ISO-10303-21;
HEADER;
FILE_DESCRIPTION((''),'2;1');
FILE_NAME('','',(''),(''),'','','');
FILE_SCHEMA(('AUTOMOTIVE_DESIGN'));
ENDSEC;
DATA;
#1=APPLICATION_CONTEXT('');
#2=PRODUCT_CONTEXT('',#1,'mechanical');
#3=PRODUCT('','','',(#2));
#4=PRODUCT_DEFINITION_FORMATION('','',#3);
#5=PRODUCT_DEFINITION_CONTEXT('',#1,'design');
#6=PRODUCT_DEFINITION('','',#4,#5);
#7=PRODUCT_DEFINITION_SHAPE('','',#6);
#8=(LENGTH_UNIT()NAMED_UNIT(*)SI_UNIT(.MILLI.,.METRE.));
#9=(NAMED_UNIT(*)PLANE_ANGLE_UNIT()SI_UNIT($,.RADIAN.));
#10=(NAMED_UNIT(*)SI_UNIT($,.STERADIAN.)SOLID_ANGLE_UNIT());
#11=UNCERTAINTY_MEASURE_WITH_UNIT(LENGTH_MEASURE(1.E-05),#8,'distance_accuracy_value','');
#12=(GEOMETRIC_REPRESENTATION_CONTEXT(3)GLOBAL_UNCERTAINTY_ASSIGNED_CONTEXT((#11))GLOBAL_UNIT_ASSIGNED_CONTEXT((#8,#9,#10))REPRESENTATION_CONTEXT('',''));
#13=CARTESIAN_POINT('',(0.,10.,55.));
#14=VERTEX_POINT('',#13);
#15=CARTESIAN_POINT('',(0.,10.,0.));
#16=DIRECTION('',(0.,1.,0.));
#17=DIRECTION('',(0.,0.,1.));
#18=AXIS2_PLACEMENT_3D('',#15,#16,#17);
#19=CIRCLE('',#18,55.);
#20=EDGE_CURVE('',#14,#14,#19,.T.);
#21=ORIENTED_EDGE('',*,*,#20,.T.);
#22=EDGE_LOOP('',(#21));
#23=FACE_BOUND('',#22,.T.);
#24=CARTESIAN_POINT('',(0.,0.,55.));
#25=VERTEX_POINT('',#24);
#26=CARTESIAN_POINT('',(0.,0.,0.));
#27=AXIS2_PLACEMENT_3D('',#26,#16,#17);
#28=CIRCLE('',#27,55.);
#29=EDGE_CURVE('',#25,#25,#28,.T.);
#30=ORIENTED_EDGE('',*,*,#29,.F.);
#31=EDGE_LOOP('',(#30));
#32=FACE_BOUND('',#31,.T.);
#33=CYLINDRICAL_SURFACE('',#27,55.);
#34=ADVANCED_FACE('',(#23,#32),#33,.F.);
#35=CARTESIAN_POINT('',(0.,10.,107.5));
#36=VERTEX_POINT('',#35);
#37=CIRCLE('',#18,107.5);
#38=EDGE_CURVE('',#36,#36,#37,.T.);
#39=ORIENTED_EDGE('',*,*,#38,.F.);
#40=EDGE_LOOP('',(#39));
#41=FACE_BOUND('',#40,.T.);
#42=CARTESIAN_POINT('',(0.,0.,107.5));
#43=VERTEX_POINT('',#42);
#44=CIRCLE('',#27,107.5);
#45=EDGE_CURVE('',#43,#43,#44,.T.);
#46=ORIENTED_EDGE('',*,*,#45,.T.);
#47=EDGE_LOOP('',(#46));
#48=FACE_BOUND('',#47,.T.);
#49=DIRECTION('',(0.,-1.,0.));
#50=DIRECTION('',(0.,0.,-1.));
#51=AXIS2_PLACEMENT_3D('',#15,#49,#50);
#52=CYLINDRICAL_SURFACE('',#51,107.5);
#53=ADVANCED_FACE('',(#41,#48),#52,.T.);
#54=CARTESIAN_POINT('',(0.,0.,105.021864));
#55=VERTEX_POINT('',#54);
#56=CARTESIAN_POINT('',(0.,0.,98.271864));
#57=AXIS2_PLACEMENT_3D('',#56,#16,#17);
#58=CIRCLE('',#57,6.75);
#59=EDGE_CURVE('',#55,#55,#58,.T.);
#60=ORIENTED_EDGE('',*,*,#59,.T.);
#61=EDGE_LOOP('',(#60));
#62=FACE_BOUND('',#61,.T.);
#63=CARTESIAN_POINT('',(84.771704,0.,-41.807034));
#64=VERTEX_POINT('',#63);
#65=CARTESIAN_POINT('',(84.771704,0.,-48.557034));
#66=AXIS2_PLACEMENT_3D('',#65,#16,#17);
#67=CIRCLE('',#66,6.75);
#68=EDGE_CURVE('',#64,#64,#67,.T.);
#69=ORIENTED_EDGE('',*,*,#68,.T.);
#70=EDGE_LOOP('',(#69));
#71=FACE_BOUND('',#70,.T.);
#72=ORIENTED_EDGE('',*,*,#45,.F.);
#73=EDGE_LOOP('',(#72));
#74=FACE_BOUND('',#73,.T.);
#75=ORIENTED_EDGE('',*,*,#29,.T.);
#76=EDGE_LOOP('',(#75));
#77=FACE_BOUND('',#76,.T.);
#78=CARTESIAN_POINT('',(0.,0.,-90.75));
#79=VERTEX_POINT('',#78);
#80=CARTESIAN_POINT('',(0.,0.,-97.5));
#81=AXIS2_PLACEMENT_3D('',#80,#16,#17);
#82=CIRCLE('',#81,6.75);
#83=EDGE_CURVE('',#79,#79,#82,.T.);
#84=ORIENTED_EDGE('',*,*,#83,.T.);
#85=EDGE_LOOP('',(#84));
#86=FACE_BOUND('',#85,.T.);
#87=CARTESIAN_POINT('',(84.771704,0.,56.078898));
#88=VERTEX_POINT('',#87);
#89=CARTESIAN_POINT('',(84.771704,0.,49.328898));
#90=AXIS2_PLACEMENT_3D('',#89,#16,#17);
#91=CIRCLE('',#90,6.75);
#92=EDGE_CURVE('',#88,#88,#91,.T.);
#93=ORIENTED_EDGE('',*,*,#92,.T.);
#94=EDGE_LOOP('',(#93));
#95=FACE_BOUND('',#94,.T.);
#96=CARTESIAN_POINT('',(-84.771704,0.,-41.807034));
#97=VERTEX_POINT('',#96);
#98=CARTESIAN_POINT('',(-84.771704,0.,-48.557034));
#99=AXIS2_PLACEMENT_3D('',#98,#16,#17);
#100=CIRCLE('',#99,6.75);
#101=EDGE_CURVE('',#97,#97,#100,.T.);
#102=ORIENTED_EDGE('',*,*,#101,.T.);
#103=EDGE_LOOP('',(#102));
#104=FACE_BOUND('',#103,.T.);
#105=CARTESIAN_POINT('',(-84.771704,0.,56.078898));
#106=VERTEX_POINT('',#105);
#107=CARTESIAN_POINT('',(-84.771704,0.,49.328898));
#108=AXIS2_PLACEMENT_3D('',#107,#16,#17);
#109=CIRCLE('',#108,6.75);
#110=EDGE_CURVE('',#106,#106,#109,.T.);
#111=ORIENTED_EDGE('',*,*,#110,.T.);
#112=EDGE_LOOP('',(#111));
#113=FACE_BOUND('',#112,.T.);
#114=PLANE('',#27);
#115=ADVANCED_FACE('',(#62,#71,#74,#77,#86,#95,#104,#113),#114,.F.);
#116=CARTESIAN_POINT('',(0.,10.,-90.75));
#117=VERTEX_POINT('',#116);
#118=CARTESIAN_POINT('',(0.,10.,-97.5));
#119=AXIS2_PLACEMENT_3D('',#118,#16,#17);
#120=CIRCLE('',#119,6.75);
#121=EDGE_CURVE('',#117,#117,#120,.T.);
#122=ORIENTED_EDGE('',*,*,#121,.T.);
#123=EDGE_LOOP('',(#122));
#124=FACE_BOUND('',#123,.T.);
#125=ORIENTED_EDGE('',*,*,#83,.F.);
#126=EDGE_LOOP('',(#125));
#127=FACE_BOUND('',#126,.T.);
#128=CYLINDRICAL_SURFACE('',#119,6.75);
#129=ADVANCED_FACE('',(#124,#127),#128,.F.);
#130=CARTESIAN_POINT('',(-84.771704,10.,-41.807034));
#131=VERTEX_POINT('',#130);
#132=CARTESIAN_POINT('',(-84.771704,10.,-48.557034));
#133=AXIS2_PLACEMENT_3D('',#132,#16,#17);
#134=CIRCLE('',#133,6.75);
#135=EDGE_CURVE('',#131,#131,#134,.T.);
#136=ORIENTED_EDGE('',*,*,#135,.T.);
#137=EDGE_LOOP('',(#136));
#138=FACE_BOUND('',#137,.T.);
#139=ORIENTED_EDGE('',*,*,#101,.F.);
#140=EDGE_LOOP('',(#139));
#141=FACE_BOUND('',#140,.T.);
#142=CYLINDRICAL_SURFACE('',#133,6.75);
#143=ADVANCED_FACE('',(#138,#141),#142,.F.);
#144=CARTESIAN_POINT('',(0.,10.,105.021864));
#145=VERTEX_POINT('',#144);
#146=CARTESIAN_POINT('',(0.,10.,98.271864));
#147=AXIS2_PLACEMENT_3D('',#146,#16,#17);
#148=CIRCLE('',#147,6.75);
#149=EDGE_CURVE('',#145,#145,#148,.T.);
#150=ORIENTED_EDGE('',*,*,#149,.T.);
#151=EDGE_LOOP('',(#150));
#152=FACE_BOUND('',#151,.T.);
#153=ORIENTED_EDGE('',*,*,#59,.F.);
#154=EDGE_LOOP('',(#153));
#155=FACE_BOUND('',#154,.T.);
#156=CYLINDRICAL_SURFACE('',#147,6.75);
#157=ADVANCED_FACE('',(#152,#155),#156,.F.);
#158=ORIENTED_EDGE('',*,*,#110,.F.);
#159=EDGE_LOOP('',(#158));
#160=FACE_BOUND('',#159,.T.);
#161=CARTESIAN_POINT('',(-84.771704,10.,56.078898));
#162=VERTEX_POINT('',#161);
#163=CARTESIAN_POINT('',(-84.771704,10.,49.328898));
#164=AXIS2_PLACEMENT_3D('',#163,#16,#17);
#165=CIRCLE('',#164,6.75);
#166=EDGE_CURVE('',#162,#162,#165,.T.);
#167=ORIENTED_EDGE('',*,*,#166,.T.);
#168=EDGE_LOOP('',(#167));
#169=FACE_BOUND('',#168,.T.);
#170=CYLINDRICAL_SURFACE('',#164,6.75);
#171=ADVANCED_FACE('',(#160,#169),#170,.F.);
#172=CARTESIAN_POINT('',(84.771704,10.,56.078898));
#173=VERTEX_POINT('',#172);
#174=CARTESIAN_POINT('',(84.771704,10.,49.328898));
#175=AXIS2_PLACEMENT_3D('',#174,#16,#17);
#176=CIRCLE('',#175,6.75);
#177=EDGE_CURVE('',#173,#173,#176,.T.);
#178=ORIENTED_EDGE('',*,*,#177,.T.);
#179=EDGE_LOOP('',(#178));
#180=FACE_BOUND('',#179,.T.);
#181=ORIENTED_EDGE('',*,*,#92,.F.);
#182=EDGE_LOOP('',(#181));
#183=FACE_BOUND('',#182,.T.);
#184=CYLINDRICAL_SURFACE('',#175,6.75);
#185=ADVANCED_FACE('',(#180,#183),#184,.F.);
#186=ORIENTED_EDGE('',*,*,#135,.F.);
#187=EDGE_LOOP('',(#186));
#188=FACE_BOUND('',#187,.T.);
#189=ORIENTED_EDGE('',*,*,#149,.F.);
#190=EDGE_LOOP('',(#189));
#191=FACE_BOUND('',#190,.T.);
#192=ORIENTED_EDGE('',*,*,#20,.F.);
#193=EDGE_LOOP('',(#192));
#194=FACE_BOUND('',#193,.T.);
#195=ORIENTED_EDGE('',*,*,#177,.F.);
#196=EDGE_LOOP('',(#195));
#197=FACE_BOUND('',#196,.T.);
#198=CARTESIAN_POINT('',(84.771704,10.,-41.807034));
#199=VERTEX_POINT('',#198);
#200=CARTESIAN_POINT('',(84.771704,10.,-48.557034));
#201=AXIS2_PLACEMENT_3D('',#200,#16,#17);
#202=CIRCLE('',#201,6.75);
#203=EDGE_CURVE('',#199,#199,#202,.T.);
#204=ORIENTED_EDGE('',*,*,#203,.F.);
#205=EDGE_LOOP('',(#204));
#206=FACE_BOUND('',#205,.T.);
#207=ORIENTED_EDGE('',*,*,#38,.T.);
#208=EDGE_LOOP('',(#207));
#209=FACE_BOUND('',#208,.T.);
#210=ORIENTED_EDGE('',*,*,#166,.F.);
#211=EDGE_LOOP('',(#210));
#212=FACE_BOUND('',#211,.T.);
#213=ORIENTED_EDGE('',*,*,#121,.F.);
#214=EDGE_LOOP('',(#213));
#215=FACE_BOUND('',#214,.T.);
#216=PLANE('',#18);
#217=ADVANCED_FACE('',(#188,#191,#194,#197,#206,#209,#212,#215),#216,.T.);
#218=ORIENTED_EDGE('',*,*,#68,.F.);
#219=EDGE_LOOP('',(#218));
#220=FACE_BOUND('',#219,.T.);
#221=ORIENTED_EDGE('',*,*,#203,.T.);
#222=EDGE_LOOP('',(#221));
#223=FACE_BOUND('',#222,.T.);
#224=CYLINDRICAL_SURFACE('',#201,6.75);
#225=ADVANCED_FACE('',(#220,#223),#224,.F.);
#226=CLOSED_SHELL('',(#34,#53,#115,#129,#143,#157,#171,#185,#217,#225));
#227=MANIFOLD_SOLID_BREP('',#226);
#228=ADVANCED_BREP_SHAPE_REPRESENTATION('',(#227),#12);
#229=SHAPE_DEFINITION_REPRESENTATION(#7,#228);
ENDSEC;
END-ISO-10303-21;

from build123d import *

# Parameters (mm, degrees)
CROQUIS1_R              = 107.5
SALIENTE_EXTRUIR1_DEPTH = 10
MATRIZC1_COUNT          = 6
CROQUIS4_R              = 55
CORTAR_EXTRUIR1_DEPTH   = 10


with BuildPart() as part:
    # Croquis1 → Saliente-Extruir1 (new body)
    with BuildSketch(Plane(origin=(0, 0, 0), x_dir=(1, 0, 0), z_dir=(0, 1, 0))):
        with Locations(Location((0, 0, 0), (0, 0, 270))):
            Circle(CROQUIS1_R)
    extrude(amount=SALIENTE_EXTRUIR1_DEPTH)

    # Croquis6 → Taladro de margen para M121 (revolve, cut)
    with BuildSketch(Plane(origin=(0, 10, -97.5), x_dir=(0, 0, 1), z_dir=(1, 0, 0))):
        Polygon((0, 0), (0, 47.555809178), (6.75, 43.5), (6.75, 0), align=None)
    taladro_de_margen_para_m121 = revolve(axis=Axis((0, 16.35, -97.5), (0, -1, 0)), mode=Mode.SUBTRACT)

    # MatrizC1: Taladro de margen para M121 ×6 about axis
    matrizc1_axis = Axis((0, 0, 0.385932096), (0, 1, 0))
    for i in range(1, MATRIZC1_COUNT):
        add(taladro_de_margen_para_m121.rotate(matrizc1_axis, i * 360 / MATRIZC1_COUNT), mode=Mode.SUBTRACT)

    # Croquis4 → Cortar-Extruir1 (cut)
    with BuildSketch(Plane(origin=(0, 10, 0), x_dir=(1, 0, 0), z_dir=(0, 1, 0))):
        with Locations(Location((0, 0, 0), (0, 0, 270))):
            Circle(CROQUIS4_R)
    extrude(amount=-CORTAR_EXTRUIR1_DEPTH, mode=Mode.SUBTRACT)


solid = part.part
